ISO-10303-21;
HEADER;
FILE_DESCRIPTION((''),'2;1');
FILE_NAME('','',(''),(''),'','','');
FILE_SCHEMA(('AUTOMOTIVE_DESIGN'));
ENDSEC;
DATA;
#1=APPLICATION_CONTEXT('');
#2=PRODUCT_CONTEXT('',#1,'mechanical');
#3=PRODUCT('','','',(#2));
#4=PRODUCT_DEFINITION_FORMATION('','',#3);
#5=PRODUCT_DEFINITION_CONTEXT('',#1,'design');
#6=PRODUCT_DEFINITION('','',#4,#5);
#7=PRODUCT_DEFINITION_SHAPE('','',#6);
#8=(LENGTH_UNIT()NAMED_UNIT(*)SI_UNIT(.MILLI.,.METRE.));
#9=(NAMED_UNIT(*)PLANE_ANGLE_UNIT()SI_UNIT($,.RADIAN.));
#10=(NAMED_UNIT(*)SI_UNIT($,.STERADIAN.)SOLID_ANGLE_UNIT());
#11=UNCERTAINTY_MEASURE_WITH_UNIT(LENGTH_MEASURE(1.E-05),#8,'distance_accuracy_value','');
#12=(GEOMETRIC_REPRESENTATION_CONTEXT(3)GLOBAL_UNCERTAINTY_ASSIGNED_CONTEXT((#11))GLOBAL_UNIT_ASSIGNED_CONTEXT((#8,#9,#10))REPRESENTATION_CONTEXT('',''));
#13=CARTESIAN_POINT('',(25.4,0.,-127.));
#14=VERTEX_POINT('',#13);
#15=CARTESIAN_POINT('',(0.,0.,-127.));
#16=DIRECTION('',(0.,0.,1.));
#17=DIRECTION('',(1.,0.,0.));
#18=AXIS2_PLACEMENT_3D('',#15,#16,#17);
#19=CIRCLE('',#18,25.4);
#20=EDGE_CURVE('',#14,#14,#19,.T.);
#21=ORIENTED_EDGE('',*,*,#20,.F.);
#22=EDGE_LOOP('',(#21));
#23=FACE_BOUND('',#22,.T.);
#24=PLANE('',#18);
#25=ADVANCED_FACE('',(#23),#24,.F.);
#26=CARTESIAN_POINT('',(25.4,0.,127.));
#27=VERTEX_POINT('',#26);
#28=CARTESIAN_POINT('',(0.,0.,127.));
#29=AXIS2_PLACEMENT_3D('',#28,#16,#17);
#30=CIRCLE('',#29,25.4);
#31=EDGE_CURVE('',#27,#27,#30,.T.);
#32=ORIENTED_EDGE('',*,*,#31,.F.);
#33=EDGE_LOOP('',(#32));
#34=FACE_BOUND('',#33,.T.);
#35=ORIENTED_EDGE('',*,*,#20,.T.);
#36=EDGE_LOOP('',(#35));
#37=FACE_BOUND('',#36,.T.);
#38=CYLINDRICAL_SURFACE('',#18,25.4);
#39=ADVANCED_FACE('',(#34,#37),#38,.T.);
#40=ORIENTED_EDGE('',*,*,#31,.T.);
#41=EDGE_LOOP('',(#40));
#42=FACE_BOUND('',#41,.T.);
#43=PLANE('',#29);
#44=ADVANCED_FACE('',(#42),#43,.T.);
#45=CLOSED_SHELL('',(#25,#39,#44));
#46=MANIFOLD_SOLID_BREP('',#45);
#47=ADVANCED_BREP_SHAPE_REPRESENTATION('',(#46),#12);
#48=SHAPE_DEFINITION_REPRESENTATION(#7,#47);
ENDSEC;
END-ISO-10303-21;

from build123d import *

# Parameters (mm, degrees)
BOSS_EXTRUDE1_DEPTH      = 127
BOSS_EXTRUDE1_DEPTH_BACK = 127
SKETCH1_R                = 25.4


with BuildPart() as part:
    # Sketch1 → Boss-Extrude1 (new, two sides: drawn at the far end of the back side and taken through both)
    with BuildSketch(Plane.XY.offset(-BOSS_EXTRUDE1_DEPTH_BACK)):
        Circle(SKETCH1_R)
    extrude(amount=BOSS_EXTRUDE1_DEPTH + BOSS_EXTRUDE1_DEPTH_BACK)


solid = part.part
